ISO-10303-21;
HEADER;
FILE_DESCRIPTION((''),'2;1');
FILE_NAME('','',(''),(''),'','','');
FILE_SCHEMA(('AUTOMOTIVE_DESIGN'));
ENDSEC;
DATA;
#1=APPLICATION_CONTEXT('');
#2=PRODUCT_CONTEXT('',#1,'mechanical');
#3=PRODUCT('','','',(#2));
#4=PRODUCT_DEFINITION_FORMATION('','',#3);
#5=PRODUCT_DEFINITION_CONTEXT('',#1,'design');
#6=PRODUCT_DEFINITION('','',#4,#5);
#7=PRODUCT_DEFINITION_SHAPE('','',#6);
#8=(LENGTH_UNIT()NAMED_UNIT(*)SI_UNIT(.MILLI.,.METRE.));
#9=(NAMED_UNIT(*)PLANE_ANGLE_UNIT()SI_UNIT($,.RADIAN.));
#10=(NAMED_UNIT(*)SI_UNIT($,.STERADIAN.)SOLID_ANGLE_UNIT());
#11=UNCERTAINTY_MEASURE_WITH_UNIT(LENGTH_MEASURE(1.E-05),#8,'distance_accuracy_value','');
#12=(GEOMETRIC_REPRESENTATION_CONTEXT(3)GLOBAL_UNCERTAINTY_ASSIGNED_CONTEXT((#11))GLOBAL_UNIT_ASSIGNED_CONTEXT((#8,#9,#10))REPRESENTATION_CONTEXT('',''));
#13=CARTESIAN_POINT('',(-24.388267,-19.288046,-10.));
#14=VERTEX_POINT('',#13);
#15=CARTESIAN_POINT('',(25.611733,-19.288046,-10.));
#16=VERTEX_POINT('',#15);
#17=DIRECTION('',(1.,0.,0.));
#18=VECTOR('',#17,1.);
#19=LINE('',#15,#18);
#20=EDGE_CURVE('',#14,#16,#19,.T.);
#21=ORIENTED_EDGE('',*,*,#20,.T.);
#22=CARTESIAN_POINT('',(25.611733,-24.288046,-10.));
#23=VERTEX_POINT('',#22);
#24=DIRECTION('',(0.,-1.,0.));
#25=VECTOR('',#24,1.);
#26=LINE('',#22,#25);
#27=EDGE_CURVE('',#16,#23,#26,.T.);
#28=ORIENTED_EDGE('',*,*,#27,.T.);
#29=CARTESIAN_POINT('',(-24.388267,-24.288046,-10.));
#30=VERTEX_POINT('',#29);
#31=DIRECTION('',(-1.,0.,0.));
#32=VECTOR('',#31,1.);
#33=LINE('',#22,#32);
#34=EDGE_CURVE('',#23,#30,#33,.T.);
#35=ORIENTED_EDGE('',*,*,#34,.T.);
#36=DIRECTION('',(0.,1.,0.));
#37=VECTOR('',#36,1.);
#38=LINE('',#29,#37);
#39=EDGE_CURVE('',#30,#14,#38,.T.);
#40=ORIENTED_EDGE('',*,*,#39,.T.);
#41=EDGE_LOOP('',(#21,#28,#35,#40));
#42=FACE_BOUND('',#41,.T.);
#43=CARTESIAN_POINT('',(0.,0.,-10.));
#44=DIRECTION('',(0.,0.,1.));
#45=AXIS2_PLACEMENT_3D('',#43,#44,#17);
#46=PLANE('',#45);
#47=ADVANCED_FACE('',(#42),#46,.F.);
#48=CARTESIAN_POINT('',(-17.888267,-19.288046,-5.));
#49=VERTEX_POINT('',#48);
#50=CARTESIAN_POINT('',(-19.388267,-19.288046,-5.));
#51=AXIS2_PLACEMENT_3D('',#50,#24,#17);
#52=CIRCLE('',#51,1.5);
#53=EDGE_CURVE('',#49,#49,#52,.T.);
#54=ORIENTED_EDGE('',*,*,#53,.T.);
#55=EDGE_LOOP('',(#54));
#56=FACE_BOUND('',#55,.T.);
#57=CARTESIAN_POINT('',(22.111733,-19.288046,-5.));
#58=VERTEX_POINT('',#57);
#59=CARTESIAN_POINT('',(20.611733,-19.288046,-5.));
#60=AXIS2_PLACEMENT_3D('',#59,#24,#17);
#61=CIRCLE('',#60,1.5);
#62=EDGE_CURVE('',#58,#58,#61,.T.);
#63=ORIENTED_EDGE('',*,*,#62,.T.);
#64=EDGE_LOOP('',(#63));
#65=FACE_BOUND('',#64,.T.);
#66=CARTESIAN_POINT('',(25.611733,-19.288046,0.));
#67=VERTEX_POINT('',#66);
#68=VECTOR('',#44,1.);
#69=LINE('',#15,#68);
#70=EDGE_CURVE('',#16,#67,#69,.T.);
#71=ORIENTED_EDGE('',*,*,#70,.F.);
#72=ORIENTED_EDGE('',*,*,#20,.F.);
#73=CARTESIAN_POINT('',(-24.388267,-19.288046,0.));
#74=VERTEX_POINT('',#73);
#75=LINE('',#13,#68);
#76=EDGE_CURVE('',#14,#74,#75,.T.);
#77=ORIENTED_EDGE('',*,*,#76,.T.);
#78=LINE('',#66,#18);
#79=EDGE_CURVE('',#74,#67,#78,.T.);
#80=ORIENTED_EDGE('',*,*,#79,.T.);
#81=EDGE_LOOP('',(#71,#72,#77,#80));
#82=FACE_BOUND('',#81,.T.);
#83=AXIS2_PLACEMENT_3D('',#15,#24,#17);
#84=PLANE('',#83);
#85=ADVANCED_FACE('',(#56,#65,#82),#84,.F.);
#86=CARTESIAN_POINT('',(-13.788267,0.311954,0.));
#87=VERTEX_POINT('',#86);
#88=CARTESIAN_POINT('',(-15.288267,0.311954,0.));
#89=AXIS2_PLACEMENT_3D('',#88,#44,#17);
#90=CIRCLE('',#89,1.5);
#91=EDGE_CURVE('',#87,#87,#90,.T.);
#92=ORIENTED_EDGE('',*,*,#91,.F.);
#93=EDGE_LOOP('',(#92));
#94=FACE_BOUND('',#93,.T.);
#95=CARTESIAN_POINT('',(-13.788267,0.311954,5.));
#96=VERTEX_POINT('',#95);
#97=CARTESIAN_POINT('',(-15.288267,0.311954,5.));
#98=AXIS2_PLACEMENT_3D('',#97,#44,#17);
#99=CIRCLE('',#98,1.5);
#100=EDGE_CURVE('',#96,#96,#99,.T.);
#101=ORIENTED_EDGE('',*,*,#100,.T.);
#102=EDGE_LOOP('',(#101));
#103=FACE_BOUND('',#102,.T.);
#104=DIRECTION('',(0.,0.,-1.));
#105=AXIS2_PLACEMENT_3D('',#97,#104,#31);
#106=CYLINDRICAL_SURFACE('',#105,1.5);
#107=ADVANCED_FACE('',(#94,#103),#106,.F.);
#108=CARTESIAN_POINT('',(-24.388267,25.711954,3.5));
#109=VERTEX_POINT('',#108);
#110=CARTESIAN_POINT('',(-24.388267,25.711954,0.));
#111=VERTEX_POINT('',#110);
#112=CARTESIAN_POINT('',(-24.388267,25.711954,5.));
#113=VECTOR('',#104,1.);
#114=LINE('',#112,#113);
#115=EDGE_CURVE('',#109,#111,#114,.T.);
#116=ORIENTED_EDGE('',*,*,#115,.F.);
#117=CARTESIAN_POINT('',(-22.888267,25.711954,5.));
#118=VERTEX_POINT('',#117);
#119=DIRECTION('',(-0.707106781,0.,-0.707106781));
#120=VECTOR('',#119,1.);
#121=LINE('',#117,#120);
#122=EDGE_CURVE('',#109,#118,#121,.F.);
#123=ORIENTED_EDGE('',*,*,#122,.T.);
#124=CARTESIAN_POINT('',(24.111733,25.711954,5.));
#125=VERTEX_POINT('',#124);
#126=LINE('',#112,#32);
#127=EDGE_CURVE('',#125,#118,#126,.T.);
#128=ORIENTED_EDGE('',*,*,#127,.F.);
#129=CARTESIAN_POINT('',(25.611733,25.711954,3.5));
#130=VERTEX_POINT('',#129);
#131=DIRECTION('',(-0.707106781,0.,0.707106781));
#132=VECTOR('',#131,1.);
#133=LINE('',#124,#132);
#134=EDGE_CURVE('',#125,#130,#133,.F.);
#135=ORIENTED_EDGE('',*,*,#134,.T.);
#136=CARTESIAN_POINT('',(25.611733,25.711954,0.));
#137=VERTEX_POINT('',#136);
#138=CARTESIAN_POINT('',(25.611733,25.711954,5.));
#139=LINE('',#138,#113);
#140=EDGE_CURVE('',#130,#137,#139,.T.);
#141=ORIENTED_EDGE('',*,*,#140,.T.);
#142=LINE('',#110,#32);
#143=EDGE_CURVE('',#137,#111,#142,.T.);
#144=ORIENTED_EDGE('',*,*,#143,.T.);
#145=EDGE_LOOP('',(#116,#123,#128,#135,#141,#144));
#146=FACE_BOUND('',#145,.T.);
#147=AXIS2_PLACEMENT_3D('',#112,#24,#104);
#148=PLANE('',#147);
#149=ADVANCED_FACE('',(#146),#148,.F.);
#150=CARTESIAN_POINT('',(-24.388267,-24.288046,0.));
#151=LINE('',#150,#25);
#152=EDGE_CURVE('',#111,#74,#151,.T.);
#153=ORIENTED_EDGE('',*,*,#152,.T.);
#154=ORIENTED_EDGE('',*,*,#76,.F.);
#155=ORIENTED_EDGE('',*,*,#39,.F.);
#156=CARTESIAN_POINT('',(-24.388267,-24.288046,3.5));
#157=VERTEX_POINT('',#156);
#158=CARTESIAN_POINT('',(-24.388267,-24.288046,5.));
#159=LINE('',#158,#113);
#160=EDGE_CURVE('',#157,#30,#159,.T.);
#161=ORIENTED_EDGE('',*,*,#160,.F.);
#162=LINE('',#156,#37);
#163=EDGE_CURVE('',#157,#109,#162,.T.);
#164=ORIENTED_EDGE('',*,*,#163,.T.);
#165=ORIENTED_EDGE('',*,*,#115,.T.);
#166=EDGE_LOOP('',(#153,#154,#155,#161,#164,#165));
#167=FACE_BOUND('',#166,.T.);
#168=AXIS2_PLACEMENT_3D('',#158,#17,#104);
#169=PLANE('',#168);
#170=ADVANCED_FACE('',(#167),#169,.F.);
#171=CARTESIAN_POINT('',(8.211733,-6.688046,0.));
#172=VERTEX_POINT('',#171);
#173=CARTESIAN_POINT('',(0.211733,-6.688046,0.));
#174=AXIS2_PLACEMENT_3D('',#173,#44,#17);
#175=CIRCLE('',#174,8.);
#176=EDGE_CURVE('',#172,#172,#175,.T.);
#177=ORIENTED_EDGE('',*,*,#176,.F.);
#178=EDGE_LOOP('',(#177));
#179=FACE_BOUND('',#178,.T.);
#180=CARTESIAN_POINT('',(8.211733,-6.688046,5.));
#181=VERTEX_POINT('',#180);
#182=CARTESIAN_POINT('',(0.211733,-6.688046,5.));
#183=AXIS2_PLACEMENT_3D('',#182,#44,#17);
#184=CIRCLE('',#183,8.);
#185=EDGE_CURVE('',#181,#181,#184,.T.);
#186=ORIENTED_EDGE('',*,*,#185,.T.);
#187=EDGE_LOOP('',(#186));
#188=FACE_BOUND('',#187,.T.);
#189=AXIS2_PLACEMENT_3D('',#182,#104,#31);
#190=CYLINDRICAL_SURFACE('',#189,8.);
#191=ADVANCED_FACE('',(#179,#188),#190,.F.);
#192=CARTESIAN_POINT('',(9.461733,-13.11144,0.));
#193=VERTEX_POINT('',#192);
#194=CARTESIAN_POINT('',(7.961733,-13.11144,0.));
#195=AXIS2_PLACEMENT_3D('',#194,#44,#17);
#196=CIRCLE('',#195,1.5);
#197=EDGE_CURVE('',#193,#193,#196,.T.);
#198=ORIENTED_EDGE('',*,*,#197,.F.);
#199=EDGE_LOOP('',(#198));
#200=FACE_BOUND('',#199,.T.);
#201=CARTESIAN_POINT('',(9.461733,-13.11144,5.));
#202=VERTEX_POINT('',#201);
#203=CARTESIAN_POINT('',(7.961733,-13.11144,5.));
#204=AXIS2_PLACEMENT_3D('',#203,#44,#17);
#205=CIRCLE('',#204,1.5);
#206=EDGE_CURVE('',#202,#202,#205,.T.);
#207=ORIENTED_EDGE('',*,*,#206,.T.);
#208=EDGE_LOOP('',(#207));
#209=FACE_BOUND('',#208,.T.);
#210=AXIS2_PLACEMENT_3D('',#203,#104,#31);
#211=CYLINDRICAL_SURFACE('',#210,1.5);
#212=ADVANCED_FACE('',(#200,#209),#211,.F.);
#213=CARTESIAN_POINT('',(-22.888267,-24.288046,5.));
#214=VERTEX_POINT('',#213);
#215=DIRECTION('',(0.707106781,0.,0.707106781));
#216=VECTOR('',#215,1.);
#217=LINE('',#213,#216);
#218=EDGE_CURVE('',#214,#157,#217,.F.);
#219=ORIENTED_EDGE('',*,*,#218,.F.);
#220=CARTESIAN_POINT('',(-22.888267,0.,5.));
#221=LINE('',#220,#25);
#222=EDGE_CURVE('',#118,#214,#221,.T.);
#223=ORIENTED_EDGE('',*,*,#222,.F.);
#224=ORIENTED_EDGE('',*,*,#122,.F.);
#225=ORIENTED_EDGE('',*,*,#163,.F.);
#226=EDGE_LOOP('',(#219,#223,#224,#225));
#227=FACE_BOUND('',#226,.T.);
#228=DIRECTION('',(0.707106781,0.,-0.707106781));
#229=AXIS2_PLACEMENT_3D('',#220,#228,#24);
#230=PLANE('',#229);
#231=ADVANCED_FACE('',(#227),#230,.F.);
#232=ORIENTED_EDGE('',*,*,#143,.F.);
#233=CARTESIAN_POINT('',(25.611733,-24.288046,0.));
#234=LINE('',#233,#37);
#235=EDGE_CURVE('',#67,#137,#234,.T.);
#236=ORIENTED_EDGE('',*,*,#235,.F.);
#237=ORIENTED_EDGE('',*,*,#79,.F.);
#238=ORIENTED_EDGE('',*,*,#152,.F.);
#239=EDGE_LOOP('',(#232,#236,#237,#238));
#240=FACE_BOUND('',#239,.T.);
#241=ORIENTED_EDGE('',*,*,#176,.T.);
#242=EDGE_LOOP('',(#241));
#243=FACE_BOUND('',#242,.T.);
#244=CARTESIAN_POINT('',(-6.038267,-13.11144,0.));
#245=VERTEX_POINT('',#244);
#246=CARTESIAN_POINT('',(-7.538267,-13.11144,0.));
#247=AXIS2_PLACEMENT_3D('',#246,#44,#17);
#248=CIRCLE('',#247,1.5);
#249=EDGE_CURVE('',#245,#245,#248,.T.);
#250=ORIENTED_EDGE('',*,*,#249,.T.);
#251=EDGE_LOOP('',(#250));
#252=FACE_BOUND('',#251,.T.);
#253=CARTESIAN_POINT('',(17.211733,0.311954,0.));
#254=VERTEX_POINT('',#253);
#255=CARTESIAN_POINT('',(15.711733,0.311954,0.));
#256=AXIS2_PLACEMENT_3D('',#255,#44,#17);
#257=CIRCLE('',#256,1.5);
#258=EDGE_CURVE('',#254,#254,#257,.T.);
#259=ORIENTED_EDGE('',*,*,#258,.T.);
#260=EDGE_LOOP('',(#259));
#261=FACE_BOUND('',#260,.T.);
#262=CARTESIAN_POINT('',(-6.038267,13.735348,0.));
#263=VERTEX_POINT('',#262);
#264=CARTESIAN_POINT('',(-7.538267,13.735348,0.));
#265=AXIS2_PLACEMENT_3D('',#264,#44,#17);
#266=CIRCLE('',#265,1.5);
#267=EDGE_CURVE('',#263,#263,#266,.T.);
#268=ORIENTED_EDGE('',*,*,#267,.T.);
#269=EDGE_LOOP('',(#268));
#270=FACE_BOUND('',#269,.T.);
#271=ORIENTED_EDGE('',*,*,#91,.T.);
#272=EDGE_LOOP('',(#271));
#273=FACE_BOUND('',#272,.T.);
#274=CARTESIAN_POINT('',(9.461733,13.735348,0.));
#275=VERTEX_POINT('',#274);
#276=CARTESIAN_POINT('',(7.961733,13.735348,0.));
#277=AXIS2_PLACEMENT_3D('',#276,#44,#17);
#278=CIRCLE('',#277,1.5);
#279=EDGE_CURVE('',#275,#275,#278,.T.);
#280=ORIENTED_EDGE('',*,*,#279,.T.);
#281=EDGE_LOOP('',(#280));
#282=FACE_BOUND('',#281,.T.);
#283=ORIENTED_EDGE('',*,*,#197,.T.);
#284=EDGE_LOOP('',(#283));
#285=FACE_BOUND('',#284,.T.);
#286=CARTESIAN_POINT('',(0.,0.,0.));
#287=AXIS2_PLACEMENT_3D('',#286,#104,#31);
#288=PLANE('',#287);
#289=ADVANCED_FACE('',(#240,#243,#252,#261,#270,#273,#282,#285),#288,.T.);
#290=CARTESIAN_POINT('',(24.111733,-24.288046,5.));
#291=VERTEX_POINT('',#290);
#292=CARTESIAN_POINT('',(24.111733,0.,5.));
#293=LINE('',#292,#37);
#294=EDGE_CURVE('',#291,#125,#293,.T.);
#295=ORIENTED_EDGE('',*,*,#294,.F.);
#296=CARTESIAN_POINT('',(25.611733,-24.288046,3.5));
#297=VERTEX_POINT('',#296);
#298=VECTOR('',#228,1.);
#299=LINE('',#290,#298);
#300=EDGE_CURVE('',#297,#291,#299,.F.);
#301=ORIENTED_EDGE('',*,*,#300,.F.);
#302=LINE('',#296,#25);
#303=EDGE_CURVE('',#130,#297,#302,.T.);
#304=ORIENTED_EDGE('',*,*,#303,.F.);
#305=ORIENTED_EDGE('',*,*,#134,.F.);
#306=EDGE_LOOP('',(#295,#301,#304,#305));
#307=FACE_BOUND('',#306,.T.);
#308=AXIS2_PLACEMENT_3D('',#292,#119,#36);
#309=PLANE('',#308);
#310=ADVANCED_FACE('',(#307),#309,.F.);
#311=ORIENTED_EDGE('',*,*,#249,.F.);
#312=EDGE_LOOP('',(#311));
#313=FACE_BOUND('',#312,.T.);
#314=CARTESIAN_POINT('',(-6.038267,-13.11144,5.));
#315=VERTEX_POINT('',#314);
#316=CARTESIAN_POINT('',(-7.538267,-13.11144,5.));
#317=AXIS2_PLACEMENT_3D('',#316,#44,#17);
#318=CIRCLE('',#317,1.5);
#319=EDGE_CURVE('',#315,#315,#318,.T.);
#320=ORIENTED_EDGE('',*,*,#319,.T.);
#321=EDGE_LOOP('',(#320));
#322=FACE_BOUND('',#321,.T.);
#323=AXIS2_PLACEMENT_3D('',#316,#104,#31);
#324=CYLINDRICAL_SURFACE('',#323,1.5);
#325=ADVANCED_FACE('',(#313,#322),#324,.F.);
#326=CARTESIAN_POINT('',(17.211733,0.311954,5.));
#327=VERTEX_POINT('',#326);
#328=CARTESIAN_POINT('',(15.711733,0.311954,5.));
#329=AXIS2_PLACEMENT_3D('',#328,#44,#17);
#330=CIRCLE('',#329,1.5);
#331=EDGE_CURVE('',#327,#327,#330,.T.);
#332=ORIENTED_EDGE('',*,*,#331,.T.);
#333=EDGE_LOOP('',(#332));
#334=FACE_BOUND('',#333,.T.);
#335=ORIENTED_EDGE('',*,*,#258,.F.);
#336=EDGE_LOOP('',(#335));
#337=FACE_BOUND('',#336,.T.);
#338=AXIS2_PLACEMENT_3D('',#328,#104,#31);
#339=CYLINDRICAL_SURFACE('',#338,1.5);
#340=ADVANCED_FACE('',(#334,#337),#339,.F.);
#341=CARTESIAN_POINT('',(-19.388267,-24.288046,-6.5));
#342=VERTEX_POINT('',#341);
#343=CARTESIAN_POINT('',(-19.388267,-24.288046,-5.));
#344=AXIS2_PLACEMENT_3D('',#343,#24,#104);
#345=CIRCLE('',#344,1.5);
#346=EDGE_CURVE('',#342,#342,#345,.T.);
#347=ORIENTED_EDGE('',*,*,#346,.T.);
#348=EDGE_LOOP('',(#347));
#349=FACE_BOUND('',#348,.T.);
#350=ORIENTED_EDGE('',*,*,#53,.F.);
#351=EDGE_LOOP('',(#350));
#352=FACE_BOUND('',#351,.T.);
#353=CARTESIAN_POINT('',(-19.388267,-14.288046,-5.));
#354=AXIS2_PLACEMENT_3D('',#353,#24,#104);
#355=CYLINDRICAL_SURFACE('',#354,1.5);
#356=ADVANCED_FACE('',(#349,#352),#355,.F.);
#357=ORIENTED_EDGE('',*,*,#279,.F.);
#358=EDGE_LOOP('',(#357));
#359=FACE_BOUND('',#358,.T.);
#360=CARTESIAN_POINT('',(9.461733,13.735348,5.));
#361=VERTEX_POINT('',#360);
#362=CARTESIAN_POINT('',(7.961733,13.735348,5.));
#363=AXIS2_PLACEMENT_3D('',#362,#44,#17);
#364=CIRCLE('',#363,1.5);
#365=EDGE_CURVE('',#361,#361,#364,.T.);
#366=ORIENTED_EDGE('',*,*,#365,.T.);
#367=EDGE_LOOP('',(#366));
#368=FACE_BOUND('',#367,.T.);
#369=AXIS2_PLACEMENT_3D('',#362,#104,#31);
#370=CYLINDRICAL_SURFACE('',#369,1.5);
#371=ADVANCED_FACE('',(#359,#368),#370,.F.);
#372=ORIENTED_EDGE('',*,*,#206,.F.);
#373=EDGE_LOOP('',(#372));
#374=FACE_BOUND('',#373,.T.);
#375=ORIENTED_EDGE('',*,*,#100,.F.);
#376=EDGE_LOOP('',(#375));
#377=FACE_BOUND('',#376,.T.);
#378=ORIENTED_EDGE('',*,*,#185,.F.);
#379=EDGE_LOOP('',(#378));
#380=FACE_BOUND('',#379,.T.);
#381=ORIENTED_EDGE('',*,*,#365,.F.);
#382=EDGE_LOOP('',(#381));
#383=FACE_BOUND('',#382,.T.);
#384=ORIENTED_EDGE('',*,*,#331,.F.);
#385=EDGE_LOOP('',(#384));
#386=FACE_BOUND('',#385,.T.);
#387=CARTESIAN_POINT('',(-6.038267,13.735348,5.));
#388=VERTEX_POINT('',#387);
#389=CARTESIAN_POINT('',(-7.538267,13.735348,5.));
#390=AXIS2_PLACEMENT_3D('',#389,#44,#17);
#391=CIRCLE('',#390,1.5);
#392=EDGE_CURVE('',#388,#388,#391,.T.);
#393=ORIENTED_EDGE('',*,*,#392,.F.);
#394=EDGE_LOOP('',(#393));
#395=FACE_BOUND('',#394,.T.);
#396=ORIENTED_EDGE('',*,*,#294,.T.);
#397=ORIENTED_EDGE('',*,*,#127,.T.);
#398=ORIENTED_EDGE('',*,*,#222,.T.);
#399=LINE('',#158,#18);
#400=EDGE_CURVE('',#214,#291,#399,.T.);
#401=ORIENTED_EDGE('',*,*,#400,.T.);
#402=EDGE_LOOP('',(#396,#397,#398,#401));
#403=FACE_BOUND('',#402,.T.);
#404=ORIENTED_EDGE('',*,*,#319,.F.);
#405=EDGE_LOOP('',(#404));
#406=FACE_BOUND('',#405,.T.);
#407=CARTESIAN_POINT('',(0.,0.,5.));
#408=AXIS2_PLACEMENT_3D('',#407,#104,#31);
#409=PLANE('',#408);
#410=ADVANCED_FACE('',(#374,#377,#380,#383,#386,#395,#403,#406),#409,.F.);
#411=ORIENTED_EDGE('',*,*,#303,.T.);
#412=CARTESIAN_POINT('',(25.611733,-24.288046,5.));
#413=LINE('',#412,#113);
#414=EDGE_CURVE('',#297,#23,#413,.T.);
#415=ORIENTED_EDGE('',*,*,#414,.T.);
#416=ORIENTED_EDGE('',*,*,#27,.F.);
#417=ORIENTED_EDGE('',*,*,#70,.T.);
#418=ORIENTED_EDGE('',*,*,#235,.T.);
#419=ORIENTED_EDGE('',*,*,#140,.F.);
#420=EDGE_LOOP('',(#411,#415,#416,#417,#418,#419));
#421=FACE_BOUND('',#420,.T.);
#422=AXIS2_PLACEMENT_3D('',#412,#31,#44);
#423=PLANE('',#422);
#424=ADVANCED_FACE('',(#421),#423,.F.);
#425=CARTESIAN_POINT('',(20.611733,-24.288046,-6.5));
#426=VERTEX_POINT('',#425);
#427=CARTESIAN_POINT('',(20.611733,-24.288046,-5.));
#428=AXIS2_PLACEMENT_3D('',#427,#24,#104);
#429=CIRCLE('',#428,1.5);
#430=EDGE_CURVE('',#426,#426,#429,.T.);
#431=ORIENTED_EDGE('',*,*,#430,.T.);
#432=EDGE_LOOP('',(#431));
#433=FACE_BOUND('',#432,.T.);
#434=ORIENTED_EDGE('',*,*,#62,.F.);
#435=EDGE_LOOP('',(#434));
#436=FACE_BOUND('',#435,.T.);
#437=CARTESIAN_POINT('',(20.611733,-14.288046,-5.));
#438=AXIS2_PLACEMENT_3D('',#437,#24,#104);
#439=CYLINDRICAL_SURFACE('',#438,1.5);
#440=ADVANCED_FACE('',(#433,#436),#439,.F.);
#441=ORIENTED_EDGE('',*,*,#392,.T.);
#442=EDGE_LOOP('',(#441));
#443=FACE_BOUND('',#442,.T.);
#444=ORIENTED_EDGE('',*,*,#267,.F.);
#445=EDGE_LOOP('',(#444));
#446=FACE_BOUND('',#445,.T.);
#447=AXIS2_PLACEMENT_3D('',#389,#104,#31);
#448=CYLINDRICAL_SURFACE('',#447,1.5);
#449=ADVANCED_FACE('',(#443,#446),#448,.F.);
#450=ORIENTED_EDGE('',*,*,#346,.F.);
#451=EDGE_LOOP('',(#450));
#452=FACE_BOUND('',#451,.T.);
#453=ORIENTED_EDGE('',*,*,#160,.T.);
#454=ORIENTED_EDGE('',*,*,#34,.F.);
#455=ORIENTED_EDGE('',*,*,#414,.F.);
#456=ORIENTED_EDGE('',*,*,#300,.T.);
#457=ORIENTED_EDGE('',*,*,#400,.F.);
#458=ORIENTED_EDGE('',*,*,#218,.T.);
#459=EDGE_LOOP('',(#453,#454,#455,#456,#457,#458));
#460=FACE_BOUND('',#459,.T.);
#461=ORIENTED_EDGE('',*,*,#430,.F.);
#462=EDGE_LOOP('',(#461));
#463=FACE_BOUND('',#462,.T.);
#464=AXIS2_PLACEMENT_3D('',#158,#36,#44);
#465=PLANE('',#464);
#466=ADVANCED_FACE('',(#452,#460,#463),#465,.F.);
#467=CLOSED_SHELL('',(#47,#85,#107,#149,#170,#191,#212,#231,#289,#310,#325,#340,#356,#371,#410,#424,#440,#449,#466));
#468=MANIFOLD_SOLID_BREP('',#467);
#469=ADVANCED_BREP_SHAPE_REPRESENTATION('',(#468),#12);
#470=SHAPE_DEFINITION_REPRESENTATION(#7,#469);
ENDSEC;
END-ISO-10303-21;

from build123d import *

# Parameters (mm, degrees)
SKETCH2_W           = 50
SKETCH2_H           = 50
SKETCH2_R           = 8
SKETCH2_R_2         = 1.5
BOSS_EXTRUDE1_DEPTH = 5
SKETCH5_W           = 50
SKETCH5_H           = 5
BOSS_EXTRUDE2_DEPTH = 10
SKETCH6_R           = 1.5
CUT_EXTRUDE2_DEPTH  = 10
CHAMFER1_SIZE       = 1.5


with BuildPart() as part:
    # Sketch2 → Boss-Extrude1 (new body)
    with BuildSketch(Plane.XY):
        with Locations((0.61173319, 0.711954255)):
            Rectangle(SKETCH2_W, SKETCH2_H)
        with Locations((0.21173319, -6.688045745)):
            Circle(SKETCH2_R, mode=Mode.SUBTRACT)
        with Locations((-7.53826681, 13.735348013)):
            Circle(SKETCH2_R_2, mode=Mode.SUBTRACT)
        with Locations((7.96173319, 13.735348013)):
            Circle(SKETCH2_R_2, mode=Mode.SUBTRACT)
        with Locations((-15.28826681, 0.311954255)):
            Circle(SKETCH2_R_2, mode=Mode.SUBTRACT)
        with Locations((-7.53826681, -13.111439504)):
            Circle(SKETCH2_R_2, mode=Mode.SUBTRACT)
        with Locations((7.96173319, -13.111439504)):
            Circle(SKETCH2_R_2, mode=Mode.SUBTRACT)
        with Locations((15.71173319, 0.311954255)):
            Circle(SKETCH2_R_2, mode=Mode.SUBTRACT)
    extrude(amount=BOSS_EXTRUDE1_DEPTH)

    # Sketch5 → Boss-Extrude2 (add)
    with BuildSketch(Plane(origin=(0, 0, 0), x_dir=(-1, 0, 0), z_dir=(0, 0, -1))):
        with Locations((-0.61173319, -21.788045745)):
            Rectangle(SKETCH5_W, SKETCH5_H)
    extrude(amount=BOSS_EXTRUDE2_DEPTH)

    # Sketch6 → Cut-Extrude2 (cut)
    with BuildSketch(Plane.XZ.offset(24.288045745)):
        with Locations(Location((-19.38826681, -5, 0), (0, 0, 270))):
            Circle(SKETCH6_R)
        with Locations(Location((20.61173319, -5, 0), (0, 0, 270))):
            Circle(SKETCH6_R)
    extrude(amount=-CUT_EXTRUDE2_DEPTH, mode=Mode.SUBTRACT)

    # Chamfer1
    chamfer1_edges = [part.edges().sort_by_distance(p)[0] for p in [
        (-24.38826681, 0.711954255, 5),
        (25.61173319, 0.711954255, 5),
    ]]
    chamfer(chamfer1_edges, length=CHAMFER1_SIZE)


solid = part.part
